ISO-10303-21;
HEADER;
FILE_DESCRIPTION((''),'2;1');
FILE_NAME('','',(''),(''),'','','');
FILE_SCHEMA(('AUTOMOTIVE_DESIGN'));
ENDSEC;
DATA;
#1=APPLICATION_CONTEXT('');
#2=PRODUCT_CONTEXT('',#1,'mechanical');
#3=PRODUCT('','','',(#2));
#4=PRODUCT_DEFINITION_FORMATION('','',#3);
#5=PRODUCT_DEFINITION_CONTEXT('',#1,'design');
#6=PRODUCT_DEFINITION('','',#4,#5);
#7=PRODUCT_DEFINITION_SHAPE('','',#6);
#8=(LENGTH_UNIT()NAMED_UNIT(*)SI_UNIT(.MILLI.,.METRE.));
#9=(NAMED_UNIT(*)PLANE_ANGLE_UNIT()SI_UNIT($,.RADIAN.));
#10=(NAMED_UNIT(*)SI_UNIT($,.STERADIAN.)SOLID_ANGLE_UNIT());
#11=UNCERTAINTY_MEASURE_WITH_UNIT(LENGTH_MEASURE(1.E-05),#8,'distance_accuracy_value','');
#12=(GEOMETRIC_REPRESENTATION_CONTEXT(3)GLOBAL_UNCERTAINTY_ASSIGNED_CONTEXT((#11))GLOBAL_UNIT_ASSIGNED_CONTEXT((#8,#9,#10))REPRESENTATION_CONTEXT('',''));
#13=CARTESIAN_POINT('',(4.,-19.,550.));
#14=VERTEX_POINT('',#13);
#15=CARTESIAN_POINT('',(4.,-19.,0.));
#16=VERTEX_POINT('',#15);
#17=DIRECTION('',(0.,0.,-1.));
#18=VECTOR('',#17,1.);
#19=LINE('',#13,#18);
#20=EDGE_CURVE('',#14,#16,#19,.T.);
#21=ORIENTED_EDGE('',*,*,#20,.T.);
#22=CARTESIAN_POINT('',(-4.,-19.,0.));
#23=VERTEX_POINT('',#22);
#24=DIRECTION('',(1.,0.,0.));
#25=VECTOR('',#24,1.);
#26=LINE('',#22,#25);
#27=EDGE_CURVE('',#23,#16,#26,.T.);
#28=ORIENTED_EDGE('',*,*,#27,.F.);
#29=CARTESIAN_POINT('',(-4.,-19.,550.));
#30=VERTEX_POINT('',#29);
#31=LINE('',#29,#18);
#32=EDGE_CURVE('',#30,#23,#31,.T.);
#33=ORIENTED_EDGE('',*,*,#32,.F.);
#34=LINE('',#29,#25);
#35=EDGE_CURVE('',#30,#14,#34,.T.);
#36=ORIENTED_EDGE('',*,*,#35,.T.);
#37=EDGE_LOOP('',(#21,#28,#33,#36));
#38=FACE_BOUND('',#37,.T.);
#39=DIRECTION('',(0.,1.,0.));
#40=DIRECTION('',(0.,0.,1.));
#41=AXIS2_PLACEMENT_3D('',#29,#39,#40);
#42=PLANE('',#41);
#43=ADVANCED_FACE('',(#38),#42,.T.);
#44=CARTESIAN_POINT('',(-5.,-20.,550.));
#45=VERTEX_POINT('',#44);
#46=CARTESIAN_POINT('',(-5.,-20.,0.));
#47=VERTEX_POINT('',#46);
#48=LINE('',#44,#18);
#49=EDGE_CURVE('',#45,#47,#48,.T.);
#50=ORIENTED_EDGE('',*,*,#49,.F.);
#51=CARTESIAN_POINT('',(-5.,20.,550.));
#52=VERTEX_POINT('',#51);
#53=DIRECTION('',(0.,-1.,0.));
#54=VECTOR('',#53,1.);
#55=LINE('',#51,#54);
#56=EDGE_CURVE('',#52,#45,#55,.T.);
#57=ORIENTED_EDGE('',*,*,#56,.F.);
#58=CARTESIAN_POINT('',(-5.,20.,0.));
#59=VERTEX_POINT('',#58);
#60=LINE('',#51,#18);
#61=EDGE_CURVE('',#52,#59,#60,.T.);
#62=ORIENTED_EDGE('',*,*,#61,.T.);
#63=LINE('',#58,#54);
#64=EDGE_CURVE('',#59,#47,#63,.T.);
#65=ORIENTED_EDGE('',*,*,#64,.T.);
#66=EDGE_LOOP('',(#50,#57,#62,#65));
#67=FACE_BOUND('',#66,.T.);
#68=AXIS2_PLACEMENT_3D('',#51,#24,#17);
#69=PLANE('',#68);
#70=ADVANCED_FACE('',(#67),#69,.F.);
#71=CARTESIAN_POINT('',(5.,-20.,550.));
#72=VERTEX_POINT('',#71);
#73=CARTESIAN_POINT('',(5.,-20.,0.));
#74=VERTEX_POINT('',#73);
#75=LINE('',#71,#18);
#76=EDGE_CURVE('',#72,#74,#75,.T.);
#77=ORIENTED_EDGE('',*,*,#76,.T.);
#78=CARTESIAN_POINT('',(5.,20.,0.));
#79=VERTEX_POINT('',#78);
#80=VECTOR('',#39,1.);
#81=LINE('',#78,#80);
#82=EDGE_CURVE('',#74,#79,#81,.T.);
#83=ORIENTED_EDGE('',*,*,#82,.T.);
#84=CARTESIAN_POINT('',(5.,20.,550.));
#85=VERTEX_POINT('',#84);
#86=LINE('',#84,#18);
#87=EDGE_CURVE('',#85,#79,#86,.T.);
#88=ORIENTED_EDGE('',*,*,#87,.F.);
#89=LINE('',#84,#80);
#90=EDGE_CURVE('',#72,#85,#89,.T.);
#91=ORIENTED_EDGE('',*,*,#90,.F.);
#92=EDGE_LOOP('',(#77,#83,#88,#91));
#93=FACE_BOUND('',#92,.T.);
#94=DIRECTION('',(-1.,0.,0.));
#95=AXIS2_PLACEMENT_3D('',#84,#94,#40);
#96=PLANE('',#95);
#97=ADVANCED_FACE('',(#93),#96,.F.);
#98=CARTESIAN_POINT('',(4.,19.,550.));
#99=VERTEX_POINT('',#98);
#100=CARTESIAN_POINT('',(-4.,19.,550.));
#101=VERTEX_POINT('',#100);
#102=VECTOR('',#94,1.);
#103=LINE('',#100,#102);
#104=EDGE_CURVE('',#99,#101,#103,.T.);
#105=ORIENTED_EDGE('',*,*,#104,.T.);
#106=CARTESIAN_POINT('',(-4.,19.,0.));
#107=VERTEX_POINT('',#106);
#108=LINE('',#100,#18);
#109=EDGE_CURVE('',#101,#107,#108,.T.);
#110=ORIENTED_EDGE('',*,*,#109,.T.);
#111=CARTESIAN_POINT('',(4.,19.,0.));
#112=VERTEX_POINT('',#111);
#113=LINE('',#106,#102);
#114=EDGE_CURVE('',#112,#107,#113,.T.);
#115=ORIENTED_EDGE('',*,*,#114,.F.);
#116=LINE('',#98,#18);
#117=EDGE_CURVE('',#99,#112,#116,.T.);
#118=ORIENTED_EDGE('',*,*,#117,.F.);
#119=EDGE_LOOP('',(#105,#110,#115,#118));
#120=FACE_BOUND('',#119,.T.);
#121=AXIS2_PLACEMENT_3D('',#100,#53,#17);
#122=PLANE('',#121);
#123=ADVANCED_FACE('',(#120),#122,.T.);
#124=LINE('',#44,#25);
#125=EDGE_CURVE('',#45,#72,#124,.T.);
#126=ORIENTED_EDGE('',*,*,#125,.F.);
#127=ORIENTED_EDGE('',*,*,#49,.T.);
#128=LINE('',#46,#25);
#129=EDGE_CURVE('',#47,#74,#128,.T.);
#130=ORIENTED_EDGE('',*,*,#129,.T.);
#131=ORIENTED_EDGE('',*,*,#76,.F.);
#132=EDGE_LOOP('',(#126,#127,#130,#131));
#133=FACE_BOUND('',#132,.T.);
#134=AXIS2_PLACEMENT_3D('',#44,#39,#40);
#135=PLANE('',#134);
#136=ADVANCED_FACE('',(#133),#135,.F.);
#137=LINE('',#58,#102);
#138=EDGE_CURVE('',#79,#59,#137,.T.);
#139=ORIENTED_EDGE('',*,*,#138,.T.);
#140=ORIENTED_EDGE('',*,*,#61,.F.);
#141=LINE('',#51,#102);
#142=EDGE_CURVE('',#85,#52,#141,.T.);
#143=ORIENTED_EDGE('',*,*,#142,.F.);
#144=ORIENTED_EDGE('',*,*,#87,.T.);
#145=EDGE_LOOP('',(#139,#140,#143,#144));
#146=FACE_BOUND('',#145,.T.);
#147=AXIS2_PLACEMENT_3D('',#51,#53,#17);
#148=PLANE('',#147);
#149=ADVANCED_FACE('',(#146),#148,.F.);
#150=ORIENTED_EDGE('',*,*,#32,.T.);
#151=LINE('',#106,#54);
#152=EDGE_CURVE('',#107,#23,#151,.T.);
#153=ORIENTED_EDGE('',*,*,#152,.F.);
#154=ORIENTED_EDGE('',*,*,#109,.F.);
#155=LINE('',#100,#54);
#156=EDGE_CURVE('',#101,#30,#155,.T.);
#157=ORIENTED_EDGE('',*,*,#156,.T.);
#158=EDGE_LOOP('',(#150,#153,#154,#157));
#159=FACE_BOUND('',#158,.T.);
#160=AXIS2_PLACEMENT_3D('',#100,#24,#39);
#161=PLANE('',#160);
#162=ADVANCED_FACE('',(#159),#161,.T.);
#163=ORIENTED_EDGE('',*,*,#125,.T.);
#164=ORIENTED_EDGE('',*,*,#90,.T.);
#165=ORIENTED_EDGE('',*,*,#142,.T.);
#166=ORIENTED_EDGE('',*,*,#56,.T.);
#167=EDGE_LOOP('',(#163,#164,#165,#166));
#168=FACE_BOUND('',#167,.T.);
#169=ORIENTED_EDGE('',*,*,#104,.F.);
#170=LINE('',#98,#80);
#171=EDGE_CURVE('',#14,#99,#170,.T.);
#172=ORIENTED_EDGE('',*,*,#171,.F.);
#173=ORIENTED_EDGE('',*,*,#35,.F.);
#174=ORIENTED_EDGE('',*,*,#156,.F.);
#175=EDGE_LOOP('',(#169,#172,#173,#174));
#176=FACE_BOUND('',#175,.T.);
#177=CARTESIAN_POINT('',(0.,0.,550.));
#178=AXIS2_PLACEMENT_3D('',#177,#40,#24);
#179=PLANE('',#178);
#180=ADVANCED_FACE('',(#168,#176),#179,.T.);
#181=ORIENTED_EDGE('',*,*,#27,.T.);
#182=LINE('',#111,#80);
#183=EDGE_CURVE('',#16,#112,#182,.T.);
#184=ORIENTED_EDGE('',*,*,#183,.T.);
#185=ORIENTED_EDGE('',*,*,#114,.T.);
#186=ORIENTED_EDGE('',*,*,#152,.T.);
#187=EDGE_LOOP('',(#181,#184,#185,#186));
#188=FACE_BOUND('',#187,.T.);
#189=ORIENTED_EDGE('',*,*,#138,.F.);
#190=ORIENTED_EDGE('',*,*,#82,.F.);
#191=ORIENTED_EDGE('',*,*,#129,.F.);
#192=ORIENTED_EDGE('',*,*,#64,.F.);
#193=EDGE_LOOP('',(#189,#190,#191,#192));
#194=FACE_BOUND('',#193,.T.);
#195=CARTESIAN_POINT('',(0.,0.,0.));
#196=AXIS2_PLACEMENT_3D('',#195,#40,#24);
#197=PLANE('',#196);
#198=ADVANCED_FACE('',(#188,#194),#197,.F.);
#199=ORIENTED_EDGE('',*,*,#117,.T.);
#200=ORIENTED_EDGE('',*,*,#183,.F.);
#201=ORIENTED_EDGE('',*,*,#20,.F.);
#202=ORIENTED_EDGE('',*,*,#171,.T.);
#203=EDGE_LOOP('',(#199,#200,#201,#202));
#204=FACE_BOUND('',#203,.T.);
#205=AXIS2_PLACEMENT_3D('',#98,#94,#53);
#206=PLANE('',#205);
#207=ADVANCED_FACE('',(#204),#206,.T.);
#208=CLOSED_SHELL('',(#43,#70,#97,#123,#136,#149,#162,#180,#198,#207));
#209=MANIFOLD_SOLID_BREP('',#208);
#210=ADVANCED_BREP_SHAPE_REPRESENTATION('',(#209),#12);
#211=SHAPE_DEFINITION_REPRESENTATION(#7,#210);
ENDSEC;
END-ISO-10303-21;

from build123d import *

# Parameters (mm, degrees)
SKETCH_1_W      = 10
SKETCH_1_H      = 40
SKETCH_1_W_2    = 8
SKETCH_1_H_2    = 38
EXTRUDE_1_DEPTH = 550


with BuildPart() as part:
    # 草图1 → 凸台-拉伸1 (new body)
    with BuildSketch(Plane.XY):
        Rectangle(SKETCH_1_W, SKETCH_1_H)
        Rectangle(SKETCH_1_W_2, SKETCH_1_H_2, mode=Mode.SUBTRACT)
    extrude(amount=EXTRUDE_1_DEPTH)


solid = part.part
